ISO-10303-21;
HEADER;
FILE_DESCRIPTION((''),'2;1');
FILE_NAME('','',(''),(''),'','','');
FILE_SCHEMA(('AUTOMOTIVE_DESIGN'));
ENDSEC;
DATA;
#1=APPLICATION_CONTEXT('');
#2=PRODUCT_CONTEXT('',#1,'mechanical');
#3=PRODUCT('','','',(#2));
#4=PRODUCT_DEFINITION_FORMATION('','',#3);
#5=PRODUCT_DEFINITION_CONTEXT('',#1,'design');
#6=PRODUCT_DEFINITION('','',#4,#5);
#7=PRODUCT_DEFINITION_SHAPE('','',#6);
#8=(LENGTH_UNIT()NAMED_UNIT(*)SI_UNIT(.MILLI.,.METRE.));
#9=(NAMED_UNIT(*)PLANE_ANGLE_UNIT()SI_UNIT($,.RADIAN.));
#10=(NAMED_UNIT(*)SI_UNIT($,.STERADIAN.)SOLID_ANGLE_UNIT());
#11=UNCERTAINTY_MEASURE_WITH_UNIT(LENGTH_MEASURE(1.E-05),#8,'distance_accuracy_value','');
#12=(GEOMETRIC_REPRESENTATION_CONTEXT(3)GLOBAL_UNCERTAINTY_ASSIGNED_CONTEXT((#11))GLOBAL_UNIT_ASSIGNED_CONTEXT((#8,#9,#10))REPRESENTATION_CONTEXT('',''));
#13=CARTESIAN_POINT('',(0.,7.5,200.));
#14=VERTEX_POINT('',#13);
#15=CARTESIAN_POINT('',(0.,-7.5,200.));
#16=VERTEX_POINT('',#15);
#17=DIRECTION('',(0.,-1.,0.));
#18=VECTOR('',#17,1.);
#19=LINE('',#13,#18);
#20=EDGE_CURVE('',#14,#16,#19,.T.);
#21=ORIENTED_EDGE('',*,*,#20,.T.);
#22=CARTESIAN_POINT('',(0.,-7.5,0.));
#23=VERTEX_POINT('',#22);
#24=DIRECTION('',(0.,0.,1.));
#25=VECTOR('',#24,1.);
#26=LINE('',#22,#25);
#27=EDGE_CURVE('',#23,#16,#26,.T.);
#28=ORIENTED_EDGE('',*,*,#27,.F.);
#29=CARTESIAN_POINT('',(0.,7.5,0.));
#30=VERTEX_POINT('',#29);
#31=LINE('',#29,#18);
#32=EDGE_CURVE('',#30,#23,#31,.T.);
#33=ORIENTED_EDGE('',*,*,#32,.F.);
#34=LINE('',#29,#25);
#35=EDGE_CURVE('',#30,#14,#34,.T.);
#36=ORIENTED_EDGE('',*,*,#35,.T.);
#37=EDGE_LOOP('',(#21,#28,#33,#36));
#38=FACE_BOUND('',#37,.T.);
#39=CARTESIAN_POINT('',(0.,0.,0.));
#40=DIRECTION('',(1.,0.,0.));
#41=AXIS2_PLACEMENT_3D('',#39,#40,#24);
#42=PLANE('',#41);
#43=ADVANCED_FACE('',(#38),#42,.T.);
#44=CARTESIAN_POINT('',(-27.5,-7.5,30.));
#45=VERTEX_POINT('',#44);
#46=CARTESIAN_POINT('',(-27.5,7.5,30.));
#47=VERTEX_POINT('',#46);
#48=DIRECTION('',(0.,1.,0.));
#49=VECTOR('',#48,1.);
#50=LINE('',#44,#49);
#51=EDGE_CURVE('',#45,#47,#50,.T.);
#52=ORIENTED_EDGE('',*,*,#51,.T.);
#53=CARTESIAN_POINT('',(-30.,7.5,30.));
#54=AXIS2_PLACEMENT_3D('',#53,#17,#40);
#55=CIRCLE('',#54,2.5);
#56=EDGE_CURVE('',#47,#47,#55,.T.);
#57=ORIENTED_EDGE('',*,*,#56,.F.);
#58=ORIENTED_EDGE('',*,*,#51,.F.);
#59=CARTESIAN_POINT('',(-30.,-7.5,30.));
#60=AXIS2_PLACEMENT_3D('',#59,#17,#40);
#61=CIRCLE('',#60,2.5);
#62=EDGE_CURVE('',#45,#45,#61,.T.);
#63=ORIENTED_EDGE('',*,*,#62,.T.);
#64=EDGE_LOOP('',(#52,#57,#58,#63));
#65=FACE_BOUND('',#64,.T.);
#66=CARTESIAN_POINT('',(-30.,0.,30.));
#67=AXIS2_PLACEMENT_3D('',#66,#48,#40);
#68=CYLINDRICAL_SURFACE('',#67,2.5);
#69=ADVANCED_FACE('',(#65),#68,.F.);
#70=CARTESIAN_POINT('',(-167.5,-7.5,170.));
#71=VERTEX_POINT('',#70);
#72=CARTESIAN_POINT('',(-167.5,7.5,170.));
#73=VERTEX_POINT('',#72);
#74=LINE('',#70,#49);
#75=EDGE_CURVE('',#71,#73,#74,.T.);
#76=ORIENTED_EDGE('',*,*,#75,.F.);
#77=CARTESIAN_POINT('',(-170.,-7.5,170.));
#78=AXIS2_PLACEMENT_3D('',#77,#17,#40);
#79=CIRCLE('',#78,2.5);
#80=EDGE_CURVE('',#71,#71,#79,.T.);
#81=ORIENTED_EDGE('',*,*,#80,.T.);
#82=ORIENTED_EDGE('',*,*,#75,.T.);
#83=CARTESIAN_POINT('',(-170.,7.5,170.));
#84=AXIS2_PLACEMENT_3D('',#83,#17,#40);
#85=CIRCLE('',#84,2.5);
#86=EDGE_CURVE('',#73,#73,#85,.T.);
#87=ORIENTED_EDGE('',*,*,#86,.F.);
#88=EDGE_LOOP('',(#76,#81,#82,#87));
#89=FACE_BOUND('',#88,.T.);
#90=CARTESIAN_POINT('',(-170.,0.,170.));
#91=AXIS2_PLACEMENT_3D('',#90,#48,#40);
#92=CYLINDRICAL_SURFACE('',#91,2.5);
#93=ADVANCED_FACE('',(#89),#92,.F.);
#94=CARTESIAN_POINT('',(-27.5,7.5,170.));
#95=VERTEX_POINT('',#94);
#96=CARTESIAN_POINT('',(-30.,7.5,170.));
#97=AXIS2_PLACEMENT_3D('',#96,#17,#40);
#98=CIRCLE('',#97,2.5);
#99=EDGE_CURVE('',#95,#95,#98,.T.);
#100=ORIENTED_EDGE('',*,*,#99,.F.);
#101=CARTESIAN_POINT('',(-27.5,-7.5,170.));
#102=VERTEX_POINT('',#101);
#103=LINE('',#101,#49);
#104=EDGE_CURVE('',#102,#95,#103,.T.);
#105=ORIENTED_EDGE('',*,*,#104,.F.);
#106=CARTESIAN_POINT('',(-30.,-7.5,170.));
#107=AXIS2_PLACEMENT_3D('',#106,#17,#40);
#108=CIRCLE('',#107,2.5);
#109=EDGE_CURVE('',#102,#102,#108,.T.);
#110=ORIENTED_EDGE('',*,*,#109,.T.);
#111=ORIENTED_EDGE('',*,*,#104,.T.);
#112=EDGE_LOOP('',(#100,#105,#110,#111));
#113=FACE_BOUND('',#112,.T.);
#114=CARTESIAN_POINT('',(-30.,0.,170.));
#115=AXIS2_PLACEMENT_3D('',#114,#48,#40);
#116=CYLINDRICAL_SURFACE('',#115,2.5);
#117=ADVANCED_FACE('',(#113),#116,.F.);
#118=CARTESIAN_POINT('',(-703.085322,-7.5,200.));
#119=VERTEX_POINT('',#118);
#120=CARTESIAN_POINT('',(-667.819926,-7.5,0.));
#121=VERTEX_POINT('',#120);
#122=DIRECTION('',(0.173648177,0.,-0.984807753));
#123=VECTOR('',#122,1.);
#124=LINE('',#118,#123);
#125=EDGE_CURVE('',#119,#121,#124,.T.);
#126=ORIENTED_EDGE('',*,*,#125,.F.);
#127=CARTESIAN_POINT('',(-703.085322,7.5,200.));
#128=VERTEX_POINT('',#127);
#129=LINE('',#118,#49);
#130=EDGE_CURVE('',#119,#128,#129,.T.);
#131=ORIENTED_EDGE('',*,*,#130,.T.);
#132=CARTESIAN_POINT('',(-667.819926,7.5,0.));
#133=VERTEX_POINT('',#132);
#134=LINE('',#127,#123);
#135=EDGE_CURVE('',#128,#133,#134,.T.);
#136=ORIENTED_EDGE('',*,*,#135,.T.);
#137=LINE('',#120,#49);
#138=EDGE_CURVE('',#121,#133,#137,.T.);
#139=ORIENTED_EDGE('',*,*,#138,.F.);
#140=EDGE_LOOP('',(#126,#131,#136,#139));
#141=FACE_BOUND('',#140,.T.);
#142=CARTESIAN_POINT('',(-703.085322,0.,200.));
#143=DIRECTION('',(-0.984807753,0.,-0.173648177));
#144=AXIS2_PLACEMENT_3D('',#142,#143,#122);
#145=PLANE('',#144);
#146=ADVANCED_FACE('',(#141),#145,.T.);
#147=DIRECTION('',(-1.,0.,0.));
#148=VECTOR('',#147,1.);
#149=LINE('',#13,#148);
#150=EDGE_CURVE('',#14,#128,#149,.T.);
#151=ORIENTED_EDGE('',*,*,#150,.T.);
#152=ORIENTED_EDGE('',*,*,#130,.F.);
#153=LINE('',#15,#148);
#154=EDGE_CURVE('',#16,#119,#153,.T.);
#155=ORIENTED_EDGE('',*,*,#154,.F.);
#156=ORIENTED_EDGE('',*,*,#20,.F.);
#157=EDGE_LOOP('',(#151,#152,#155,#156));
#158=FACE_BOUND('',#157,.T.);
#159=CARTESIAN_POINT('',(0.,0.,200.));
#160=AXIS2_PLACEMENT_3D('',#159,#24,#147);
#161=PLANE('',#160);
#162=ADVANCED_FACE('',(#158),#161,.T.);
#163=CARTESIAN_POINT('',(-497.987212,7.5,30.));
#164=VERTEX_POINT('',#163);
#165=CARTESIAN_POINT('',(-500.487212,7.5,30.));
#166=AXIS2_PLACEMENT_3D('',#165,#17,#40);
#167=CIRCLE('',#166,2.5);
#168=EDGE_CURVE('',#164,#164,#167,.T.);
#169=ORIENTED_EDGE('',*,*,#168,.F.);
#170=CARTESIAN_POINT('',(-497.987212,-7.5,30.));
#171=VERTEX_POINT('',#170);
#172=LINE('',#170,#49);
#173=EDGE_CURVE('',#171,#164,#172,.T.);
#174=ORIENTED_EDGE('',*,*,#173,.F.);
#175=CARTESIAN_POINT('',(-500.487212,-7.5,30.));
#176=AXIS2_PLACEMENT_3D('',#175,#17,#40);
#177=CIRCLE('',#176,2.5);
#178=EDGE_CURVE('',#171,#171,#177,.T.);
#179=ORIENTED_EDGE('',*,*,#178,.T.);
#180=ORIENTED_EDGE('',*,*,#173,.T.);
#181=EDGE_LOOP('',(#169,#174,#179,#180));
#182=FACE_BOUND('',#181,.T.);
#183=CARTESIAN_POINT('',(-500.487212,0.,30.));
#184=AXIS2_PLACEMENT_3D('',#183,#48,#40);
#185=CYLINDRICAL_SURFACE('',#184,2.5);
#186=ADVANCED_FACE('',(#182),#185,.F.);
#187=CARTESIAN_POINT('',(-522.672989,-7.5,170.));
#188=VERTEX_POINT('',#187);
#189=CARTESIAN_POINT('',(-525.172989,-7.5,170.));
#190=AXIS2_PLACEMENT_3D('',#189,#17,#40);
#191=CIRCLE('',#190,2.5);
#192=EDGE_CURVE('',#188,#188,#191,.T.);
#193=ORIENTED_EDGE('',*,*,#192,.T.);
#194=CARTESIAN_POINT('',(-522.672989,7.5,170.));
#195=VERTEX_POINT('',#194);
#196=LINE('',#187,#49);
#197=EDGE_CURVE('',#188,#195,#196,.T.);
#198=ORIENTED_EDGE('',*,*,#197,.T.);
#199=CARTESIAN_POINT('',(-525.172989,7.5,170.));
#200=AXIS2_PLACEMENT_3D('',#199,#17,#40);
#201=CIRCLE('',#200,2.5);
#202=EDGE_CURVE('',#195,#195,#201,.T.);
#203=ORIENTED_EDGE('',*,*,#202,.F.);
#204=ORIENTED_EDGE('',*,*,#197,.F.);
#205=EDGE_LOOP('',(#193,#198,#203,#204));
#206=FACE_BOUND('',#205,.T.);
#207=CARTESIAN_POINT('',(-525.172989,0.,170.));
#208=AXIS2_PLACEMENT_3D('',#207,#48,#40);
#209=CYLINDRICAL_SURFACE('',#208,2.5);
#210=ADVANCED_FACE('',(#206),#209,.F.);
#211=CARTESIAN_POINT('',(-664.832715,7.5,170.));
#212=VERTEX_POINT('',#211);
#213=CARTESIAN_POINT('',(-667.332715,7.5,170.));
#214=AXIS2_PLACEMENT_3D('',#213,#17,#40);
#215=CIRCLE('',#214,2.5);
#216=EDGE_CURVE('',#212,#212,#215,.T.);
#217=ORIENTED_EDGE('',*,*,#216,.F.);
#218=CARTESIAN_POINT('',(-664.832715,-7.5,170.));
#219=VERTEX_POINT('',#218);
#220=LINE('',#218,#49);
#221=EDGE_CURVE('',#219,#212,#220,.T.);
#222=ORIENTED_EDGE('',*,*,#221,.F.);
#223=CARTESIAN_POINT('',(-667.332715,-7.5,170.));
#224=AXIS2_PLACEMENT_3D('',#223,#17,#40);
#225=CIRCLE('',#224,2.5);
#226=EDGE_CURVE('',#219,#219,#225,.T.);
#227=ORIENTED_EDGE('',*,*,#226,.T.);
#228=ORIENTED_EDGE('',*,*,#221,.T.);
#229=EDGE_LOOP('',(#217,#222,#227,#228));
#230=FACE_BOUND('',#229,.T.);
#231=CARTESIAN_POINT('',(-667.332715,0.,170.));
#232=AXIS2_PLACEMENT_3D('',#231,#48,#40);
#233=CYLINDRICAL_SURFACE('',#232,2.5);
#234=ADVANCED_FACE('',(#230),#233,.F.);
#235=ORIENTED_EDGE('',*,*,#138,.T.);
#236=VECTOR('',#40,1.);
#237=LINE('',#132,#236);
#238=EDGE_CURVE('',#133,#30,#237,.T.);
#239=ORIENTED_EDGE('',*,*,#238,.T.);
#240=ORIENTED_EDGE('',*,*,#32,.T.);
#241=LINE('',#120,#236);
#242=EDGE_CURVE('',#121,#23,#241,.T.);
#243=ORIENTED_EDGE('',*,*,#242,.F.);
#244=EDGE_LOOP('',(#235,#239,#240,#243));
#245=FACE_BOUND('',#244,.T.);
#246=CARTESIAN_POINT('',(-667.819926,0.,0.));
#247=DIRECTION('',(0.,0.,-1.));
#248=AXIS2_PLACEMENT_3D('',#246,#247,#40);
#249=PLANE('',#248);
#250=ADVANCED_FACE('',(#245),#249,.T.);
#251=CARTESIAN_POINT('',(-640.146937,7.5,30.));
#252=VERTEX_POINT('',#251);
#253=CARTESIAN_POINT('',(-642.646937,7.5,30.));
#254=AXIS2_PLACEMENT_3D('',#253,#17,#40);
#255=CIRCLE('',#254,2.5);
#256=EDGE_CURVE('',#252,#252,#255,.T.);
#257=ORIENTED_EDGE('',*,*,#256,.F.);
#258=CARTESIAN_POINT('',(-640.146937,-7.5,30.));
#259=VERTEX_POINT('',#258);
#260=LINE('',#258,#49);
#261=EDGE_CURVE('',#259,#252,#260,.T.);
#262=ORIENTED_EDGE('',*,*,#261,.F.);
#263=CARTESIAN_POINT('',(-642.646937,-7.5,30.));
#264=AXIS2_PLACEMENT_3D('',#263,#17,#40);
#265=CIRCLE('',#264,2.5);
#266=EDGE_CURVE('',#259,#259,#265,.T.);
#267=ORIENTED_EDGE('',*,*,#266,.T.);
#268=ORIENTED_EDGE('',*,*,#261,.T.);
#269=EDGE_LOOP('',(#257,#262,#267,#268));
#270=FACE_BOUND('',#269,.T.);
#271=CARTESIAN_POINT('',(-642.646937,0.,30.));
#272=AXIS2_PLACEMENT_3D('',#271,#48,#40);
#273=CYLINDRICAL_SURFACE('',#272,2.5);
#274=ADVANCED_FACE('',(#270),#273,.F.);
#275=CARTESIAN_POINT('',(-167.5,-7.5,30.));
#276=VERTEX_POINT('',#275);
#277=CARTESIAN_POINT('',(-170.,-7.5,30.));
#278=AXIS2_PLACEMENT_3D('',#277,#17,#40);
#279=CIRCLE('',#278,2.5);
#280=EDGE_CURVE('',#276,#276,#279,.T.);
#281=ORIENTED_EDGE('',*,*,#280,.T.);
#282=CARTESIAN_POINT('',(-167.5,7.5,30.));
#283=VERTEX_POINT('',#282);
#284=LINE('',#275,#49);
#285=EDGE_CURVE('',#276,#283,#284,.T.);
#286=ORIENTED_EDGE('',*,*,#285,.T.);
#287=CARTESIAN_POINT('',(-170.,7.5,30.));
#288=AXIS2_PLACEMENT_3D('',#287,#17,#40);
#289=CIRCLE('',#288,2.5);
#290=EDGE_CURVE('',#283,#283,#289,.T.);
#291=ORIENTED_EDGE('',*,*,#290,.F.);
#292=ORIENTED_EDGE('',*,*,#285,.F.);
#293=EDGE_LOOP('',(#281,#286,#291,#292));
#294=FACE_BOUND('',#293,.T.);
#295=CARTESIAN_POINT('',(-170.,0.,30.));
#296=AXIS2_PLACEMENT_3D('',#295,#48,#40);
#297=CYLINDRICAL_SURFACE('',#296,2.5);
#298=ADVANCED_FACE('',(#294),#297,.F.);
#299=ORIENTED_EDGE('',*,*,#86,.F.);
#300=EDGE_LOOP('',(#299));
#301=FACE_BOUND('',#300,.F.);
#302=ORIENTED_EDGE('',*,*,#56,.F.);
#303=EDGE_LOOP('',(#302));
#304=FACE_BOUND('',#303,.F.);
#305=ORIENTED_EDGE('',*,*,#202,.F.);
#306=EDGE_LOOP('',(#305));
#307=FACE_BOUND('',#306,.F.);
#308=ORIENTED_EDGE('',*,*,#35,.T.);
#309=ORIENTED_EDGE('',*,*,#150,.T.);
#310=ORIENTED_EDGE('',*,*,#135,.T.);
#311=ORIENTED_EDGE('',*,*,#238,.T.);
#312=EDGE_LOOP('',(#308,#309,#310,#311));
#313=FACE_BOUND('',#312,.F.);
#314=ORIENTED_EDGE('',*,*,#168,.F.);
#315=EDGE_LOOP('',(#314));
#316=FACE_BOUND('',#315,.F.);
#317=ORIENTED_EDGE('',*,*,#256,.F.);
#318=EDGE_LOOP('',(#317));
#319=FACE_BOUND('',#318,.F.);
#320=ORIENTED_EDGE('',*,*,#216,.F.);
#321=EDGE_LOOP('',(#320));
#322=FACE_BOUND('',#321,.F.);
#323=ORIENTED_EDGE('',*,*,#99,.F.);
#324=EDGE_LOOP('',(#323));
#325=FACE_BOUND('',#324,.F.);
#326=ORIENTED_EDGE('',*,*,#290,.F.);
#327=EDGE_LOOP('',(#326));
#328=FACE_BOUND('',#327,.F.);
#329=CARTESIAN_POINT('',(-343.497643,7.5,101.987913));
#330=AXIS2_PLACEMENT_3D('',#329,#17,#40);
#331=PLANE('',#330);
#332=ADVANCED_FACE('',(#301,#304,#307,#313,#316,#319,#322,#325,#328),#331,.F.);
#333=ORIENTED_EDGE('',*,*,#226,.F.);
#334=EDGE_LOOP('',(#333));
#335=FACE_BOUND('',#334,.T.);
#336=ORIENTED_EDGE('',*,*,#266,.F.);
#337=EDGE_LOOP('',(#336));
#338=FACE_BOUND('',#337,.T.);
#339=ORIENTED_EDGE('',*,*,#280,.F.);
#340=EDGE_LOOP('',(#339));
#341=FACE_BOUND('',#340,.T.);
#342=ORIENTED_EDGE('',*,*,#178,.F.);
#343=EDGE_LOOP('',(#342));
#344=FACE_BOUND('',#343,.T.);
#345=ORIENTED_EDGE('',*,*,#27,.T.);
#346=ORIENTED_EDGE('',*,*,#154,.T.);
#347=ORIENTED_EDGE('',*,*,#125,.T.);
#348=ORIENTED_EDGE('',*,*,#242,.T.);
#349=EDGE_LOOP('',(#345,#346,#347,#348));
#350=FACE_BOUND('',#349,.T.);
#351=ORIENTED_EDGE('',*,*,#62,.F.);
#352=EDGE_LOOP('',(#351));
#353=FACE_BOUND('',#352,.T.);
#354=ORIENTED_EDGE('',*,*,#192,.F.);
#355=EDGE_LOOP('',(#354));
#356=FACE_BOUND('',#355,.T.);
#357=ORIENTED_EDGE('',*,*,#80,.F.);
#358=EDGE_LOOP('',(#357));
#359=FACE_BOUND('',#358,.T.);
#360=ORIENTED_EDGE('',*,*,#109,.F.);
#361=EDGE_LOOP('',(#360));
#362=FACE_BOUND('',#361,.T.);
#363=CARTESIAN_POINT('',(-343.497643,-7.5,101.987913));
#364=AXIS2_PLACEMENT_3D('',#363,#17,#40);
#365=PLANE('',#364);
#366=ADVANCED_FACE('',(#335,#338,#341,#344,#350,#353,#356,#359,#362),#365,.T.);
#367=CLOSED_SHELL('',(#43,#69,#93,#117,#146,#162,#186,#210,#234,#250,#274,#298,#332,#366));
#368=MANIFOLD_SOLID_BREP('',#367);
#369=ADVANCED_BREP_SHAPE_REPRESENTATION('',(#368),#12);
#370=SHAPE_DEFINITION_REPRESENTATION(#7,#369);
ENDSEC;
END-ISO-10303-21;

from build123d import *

# Parameters (mm, degrees)
F0_R     = 2.5
F1_DEPTH = 7.5


with BuildPart() as f1:
    # F0 (on Front) → F1 (new body, symmetric)
    with BuildSketch(Plane.XZ):
        Polygon((-667.819926, 0), (0, 0), (0, 200), (-703.085322, 200), align=None)
        with Locations((-642.646937, 30)):
            Circle(F0_R, mode=Mode.SUBTRACT)
        with Locations((-500.487212, 30)):
            Circle(F0_R, mode=Mode.SUBTRACT)
        with Locations((-170, 30)):
            Circle(F0_R, mode=Mode.SUBTRACT)
        with Locations((-30, 30)):
            Circle(F0_R, mode=Mode.SUBTRACT)
        with Locations((-667.332715, 170)):
            Circle(F0_R, mode=Mode.SUBTRACT)
        with Locations((-525.172989, 170)):
            Circle(F0_R, mode=Mode.SUBTRACT)
        with Locations((-170, 170)):
            Circle(F0_R, mode=Mode.SUBTRACT)
        with Locations((-30, 170)):
            Circle(F0_R, mode=Mode.SUBTRACT)
    extrude(amount=F1_DEPTH, both=True)


solid = f1.part
